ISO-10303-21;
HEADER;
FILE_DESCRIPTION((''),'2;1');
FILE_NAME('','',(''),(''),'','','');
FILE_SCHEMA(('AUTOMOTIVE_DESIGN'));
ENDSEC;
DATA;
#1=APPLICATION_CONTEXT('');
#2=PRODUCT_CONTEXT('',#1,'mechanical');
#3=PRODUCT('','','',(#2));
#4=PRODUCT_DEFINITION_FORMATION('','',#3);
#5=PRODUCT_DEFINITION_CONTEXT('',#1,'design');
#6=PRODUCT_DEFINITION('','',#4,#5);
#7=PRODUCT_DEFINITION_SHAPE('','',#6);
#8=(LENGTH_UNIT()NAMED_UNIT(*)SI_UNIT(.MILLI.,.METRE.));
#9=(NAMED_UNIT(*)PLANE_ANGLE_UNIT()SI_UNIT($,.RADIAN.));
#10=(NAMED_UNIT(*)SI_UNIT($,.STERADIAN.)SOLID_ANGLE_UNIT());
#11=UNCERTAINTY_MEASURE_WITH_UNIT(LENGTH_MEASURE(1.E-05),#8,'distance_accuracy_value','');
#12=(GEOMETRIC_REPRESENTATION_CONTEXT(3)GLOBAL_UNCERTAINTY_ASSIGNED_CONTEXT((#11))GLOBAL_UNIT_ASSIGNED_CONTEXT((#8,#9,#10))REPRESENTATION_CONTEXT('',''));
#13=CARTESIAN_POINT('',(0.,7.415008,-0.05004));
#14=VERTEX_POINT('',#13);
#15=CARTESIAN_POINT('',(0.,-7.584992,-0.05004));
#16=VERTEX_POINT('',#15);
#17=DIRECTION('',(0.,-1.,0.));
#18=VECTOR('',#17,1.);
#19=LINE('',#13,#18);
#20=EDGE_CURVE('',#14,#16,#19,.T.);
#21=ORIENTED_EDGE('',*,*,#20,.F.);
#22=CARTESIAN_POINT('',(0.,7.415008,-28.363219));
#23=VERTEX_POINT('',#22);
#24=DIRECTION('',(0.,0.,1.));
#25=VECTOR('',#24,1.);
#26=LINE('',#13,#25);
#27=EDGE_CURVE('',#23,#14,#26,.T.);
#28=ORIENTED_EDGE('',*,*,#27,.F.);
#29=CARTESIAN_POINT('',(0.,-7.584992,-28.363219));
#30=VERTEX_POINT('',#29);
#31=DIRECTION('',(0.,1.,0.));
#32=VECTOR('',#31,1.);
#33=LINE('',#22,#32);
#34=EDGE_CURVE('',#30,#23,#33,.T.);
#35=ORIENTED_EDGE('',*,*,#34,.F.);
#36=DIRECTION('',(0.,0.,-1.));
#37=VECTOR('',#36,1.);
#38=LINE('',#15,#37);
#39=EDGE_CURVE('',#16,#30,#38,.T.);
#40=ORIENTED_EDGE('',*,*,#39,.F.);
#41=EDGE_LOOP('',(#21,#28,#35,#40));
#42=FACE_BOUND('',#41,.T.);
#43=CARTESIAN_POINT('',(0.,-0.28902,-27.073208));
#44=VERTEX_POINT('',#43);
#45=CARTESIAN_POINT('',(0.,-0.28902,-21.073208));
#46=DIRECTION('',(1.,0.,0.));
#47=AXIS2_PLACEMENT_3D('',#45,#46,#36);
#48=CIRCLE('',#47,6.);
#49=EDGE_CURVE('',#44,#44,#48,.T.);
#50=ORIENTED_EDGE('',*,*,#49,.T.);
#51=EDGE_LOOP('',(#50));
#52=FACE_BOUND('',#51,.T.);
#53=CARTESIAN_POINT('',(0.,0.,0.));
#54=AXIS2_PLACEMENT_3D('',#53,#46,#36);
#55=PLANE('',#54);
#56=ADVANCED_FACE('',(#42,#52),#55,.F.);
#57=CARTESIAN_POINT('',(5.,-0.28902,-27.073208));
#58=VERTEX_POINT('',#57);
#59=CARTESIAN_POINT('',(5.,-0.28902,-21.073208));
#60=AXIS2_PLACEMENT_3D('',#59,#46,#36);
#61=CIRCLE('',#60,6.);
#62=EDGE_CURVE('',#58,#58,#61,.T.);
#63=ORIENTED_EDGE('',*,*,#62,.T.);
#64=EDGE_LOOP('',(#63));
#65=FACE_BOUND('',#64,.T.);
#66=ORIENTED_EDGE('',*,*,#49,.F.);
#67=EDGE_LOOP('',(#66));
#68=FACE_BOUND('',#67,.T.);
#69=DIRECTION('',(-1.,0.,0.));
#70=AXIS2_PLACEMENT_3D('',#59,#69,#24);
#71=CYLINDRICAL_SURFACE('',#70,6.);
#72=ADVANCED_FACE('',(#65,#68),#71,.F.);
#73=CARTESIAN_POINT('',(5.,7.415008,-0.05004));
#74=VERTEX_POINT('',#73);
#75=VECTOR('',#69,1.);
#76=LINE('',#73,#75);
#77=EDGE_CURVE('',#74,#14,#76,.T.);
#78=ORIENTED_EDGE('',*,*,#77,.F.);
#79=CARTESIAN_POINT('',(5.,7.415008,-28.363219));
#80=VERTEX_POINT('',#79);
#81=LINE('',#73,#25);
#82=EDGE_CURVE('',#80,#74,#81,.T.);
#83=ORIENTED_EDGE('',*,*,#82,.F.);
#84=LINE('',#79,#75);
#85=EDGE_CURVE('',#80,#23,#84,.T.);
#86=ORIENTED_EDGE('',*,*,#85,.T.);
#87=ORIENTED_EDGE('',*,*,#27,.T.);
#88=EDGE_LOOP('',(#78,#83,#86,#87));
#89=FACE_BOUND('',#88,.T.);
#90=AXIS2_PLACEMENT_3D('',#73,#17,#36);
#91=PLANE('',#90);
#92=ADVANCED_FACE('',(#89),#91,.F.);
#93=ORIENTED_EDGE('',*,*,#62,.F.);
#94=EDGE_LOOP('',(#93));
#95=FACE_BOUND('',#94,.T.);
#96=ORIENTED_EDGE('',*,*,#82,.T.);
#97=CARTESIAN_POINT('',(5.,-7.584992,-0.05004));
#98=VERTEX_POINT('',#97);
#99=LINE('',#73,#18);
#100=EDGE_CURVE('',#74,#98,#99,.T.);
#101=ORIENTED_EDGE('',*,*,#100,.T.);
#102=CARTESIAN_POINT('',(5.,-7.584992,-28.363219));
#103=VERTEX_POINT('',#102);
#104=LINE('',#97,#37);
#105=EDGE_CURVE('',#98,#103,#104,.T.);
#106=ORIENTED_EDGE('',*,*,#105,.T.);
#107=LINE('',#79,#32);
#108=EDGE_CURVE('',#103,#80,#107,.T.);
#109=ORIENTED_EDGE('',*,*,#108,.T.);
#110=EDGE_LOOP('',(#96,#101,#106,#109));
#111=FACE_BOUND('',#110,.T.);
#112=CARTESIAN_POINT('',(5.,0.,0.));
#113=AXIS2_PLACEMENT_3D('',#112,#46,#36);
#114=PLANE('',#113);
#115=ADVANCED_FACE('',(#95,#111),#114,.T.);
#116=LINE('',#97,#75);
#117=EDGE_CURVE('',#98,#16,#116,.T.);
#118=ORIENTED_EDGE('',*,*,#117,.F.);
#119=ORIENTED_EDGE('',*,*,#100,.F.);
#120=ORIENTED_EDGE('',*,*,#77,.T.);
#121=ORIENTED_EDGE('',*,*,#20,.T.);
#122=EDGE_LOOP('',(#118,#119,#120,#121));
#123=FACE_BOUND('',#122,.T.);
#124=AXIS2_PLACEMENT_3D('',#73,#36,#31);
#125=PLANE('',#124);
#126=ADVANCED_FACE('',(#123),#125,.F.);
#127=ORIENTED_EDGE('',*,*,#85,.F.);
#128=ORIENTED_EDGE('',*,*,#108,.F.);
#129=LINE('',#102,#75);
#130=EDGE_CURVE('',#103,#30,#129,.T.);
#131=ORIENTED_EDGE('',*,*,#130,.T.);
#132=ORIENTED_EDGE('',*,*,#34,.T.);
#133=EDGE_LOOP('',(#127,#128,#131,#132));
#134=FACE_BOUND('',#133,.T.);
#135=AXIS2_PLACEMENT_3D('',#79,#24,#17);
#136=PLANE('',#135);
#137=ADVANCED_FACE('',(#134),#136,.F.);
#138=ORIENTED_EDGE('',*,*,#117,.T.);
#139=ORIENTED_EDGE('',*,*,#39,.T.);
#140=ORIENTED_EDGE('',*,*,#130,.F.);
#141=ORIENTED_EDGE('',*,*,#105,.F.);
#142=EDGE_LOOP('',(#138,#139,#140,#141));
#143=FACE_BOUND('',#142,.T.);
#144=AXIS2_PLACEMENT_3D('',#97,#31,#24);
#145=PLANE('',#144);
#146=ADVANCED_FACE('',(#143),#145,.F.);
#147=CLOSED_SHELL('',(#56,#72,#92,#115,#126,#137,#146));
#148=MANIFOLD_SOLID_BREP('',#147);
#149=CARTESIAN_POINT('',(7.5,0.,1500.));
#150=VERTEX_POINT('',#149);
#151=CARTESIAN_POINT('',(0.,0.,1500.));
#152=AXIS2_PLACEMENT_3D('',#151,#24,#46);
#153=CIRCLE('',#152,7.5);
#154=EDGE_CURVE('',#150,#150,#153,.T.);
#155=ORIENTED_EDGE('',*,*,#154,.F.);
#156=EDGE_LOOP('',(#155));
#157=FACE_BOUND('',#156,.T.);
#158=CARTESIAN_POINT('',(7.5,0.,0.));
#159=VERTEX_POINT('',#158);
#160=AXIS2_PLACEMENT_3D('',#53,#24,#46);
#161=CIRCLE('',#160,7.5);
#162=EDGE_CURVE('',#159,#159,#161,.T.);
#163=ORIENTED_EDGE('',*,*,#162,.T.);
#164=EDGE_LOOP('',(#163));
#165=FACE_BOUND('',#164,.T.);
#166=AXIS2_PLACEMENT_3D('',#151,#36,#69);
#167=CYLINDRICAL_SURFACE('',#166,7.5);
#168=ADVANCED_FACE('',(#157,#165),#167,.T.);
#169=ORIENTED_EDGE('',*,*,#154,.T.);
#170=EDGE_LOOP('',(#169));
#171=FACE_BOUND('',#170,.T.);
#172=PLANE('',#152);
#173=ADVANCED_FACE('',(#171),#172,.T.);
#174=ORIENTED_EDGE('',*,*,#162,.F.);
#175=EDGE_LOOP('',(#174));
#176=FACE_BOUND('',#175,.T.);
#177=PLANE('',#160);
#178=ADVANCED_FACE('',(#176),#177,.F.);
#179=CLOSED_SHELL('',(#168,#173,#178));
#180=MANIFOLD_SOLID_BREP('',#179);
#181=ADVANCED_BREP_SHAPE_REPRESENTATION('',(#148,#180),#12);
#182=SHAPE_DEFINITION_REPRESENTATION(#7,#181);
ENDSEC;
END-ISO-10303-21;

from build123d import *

# Parameters (mm, degrees)
SKETCH1_R           = 7.5
BOSS_EXTRUDE1_DEPTH = 1500
SKETCH4_W           = 28.313178599
SKETCH4_H           = 15
SKETCH4_R           = 6
BOSS_EXTRUDE3_DEPTH = 5


with BuildPart() as part:
    # Sketch1 → Boss-Extrude1 (new body)
    with BuildSketch(Plane.XY):
        Circle(SKETCH1_R)
    extrude(amount=BOSS_EXTRUDE1_DEPTH)


with BuildPart() as body_2:
    # Sketch4 → Boss-Extrude3 (new body)
    with BuildSketch(Plane(origin=(0, 0, 0), x_dir=(0, 0, -1), z_dir=(1, 0, 0))):
        with Locations((14.206629316, -0.084992358)):
            Rectangle(SKETCH4_W, SKETCH4_H)
        with Locations((21.073208184, -0.289020276)):
            Circle(SKETCH4_R, mode=Mode.SUBTRACT)
    extrude(amount=BOSS_EXTRUDE3_DEPTH)


solid = Compound([part.part, body_2.part])
